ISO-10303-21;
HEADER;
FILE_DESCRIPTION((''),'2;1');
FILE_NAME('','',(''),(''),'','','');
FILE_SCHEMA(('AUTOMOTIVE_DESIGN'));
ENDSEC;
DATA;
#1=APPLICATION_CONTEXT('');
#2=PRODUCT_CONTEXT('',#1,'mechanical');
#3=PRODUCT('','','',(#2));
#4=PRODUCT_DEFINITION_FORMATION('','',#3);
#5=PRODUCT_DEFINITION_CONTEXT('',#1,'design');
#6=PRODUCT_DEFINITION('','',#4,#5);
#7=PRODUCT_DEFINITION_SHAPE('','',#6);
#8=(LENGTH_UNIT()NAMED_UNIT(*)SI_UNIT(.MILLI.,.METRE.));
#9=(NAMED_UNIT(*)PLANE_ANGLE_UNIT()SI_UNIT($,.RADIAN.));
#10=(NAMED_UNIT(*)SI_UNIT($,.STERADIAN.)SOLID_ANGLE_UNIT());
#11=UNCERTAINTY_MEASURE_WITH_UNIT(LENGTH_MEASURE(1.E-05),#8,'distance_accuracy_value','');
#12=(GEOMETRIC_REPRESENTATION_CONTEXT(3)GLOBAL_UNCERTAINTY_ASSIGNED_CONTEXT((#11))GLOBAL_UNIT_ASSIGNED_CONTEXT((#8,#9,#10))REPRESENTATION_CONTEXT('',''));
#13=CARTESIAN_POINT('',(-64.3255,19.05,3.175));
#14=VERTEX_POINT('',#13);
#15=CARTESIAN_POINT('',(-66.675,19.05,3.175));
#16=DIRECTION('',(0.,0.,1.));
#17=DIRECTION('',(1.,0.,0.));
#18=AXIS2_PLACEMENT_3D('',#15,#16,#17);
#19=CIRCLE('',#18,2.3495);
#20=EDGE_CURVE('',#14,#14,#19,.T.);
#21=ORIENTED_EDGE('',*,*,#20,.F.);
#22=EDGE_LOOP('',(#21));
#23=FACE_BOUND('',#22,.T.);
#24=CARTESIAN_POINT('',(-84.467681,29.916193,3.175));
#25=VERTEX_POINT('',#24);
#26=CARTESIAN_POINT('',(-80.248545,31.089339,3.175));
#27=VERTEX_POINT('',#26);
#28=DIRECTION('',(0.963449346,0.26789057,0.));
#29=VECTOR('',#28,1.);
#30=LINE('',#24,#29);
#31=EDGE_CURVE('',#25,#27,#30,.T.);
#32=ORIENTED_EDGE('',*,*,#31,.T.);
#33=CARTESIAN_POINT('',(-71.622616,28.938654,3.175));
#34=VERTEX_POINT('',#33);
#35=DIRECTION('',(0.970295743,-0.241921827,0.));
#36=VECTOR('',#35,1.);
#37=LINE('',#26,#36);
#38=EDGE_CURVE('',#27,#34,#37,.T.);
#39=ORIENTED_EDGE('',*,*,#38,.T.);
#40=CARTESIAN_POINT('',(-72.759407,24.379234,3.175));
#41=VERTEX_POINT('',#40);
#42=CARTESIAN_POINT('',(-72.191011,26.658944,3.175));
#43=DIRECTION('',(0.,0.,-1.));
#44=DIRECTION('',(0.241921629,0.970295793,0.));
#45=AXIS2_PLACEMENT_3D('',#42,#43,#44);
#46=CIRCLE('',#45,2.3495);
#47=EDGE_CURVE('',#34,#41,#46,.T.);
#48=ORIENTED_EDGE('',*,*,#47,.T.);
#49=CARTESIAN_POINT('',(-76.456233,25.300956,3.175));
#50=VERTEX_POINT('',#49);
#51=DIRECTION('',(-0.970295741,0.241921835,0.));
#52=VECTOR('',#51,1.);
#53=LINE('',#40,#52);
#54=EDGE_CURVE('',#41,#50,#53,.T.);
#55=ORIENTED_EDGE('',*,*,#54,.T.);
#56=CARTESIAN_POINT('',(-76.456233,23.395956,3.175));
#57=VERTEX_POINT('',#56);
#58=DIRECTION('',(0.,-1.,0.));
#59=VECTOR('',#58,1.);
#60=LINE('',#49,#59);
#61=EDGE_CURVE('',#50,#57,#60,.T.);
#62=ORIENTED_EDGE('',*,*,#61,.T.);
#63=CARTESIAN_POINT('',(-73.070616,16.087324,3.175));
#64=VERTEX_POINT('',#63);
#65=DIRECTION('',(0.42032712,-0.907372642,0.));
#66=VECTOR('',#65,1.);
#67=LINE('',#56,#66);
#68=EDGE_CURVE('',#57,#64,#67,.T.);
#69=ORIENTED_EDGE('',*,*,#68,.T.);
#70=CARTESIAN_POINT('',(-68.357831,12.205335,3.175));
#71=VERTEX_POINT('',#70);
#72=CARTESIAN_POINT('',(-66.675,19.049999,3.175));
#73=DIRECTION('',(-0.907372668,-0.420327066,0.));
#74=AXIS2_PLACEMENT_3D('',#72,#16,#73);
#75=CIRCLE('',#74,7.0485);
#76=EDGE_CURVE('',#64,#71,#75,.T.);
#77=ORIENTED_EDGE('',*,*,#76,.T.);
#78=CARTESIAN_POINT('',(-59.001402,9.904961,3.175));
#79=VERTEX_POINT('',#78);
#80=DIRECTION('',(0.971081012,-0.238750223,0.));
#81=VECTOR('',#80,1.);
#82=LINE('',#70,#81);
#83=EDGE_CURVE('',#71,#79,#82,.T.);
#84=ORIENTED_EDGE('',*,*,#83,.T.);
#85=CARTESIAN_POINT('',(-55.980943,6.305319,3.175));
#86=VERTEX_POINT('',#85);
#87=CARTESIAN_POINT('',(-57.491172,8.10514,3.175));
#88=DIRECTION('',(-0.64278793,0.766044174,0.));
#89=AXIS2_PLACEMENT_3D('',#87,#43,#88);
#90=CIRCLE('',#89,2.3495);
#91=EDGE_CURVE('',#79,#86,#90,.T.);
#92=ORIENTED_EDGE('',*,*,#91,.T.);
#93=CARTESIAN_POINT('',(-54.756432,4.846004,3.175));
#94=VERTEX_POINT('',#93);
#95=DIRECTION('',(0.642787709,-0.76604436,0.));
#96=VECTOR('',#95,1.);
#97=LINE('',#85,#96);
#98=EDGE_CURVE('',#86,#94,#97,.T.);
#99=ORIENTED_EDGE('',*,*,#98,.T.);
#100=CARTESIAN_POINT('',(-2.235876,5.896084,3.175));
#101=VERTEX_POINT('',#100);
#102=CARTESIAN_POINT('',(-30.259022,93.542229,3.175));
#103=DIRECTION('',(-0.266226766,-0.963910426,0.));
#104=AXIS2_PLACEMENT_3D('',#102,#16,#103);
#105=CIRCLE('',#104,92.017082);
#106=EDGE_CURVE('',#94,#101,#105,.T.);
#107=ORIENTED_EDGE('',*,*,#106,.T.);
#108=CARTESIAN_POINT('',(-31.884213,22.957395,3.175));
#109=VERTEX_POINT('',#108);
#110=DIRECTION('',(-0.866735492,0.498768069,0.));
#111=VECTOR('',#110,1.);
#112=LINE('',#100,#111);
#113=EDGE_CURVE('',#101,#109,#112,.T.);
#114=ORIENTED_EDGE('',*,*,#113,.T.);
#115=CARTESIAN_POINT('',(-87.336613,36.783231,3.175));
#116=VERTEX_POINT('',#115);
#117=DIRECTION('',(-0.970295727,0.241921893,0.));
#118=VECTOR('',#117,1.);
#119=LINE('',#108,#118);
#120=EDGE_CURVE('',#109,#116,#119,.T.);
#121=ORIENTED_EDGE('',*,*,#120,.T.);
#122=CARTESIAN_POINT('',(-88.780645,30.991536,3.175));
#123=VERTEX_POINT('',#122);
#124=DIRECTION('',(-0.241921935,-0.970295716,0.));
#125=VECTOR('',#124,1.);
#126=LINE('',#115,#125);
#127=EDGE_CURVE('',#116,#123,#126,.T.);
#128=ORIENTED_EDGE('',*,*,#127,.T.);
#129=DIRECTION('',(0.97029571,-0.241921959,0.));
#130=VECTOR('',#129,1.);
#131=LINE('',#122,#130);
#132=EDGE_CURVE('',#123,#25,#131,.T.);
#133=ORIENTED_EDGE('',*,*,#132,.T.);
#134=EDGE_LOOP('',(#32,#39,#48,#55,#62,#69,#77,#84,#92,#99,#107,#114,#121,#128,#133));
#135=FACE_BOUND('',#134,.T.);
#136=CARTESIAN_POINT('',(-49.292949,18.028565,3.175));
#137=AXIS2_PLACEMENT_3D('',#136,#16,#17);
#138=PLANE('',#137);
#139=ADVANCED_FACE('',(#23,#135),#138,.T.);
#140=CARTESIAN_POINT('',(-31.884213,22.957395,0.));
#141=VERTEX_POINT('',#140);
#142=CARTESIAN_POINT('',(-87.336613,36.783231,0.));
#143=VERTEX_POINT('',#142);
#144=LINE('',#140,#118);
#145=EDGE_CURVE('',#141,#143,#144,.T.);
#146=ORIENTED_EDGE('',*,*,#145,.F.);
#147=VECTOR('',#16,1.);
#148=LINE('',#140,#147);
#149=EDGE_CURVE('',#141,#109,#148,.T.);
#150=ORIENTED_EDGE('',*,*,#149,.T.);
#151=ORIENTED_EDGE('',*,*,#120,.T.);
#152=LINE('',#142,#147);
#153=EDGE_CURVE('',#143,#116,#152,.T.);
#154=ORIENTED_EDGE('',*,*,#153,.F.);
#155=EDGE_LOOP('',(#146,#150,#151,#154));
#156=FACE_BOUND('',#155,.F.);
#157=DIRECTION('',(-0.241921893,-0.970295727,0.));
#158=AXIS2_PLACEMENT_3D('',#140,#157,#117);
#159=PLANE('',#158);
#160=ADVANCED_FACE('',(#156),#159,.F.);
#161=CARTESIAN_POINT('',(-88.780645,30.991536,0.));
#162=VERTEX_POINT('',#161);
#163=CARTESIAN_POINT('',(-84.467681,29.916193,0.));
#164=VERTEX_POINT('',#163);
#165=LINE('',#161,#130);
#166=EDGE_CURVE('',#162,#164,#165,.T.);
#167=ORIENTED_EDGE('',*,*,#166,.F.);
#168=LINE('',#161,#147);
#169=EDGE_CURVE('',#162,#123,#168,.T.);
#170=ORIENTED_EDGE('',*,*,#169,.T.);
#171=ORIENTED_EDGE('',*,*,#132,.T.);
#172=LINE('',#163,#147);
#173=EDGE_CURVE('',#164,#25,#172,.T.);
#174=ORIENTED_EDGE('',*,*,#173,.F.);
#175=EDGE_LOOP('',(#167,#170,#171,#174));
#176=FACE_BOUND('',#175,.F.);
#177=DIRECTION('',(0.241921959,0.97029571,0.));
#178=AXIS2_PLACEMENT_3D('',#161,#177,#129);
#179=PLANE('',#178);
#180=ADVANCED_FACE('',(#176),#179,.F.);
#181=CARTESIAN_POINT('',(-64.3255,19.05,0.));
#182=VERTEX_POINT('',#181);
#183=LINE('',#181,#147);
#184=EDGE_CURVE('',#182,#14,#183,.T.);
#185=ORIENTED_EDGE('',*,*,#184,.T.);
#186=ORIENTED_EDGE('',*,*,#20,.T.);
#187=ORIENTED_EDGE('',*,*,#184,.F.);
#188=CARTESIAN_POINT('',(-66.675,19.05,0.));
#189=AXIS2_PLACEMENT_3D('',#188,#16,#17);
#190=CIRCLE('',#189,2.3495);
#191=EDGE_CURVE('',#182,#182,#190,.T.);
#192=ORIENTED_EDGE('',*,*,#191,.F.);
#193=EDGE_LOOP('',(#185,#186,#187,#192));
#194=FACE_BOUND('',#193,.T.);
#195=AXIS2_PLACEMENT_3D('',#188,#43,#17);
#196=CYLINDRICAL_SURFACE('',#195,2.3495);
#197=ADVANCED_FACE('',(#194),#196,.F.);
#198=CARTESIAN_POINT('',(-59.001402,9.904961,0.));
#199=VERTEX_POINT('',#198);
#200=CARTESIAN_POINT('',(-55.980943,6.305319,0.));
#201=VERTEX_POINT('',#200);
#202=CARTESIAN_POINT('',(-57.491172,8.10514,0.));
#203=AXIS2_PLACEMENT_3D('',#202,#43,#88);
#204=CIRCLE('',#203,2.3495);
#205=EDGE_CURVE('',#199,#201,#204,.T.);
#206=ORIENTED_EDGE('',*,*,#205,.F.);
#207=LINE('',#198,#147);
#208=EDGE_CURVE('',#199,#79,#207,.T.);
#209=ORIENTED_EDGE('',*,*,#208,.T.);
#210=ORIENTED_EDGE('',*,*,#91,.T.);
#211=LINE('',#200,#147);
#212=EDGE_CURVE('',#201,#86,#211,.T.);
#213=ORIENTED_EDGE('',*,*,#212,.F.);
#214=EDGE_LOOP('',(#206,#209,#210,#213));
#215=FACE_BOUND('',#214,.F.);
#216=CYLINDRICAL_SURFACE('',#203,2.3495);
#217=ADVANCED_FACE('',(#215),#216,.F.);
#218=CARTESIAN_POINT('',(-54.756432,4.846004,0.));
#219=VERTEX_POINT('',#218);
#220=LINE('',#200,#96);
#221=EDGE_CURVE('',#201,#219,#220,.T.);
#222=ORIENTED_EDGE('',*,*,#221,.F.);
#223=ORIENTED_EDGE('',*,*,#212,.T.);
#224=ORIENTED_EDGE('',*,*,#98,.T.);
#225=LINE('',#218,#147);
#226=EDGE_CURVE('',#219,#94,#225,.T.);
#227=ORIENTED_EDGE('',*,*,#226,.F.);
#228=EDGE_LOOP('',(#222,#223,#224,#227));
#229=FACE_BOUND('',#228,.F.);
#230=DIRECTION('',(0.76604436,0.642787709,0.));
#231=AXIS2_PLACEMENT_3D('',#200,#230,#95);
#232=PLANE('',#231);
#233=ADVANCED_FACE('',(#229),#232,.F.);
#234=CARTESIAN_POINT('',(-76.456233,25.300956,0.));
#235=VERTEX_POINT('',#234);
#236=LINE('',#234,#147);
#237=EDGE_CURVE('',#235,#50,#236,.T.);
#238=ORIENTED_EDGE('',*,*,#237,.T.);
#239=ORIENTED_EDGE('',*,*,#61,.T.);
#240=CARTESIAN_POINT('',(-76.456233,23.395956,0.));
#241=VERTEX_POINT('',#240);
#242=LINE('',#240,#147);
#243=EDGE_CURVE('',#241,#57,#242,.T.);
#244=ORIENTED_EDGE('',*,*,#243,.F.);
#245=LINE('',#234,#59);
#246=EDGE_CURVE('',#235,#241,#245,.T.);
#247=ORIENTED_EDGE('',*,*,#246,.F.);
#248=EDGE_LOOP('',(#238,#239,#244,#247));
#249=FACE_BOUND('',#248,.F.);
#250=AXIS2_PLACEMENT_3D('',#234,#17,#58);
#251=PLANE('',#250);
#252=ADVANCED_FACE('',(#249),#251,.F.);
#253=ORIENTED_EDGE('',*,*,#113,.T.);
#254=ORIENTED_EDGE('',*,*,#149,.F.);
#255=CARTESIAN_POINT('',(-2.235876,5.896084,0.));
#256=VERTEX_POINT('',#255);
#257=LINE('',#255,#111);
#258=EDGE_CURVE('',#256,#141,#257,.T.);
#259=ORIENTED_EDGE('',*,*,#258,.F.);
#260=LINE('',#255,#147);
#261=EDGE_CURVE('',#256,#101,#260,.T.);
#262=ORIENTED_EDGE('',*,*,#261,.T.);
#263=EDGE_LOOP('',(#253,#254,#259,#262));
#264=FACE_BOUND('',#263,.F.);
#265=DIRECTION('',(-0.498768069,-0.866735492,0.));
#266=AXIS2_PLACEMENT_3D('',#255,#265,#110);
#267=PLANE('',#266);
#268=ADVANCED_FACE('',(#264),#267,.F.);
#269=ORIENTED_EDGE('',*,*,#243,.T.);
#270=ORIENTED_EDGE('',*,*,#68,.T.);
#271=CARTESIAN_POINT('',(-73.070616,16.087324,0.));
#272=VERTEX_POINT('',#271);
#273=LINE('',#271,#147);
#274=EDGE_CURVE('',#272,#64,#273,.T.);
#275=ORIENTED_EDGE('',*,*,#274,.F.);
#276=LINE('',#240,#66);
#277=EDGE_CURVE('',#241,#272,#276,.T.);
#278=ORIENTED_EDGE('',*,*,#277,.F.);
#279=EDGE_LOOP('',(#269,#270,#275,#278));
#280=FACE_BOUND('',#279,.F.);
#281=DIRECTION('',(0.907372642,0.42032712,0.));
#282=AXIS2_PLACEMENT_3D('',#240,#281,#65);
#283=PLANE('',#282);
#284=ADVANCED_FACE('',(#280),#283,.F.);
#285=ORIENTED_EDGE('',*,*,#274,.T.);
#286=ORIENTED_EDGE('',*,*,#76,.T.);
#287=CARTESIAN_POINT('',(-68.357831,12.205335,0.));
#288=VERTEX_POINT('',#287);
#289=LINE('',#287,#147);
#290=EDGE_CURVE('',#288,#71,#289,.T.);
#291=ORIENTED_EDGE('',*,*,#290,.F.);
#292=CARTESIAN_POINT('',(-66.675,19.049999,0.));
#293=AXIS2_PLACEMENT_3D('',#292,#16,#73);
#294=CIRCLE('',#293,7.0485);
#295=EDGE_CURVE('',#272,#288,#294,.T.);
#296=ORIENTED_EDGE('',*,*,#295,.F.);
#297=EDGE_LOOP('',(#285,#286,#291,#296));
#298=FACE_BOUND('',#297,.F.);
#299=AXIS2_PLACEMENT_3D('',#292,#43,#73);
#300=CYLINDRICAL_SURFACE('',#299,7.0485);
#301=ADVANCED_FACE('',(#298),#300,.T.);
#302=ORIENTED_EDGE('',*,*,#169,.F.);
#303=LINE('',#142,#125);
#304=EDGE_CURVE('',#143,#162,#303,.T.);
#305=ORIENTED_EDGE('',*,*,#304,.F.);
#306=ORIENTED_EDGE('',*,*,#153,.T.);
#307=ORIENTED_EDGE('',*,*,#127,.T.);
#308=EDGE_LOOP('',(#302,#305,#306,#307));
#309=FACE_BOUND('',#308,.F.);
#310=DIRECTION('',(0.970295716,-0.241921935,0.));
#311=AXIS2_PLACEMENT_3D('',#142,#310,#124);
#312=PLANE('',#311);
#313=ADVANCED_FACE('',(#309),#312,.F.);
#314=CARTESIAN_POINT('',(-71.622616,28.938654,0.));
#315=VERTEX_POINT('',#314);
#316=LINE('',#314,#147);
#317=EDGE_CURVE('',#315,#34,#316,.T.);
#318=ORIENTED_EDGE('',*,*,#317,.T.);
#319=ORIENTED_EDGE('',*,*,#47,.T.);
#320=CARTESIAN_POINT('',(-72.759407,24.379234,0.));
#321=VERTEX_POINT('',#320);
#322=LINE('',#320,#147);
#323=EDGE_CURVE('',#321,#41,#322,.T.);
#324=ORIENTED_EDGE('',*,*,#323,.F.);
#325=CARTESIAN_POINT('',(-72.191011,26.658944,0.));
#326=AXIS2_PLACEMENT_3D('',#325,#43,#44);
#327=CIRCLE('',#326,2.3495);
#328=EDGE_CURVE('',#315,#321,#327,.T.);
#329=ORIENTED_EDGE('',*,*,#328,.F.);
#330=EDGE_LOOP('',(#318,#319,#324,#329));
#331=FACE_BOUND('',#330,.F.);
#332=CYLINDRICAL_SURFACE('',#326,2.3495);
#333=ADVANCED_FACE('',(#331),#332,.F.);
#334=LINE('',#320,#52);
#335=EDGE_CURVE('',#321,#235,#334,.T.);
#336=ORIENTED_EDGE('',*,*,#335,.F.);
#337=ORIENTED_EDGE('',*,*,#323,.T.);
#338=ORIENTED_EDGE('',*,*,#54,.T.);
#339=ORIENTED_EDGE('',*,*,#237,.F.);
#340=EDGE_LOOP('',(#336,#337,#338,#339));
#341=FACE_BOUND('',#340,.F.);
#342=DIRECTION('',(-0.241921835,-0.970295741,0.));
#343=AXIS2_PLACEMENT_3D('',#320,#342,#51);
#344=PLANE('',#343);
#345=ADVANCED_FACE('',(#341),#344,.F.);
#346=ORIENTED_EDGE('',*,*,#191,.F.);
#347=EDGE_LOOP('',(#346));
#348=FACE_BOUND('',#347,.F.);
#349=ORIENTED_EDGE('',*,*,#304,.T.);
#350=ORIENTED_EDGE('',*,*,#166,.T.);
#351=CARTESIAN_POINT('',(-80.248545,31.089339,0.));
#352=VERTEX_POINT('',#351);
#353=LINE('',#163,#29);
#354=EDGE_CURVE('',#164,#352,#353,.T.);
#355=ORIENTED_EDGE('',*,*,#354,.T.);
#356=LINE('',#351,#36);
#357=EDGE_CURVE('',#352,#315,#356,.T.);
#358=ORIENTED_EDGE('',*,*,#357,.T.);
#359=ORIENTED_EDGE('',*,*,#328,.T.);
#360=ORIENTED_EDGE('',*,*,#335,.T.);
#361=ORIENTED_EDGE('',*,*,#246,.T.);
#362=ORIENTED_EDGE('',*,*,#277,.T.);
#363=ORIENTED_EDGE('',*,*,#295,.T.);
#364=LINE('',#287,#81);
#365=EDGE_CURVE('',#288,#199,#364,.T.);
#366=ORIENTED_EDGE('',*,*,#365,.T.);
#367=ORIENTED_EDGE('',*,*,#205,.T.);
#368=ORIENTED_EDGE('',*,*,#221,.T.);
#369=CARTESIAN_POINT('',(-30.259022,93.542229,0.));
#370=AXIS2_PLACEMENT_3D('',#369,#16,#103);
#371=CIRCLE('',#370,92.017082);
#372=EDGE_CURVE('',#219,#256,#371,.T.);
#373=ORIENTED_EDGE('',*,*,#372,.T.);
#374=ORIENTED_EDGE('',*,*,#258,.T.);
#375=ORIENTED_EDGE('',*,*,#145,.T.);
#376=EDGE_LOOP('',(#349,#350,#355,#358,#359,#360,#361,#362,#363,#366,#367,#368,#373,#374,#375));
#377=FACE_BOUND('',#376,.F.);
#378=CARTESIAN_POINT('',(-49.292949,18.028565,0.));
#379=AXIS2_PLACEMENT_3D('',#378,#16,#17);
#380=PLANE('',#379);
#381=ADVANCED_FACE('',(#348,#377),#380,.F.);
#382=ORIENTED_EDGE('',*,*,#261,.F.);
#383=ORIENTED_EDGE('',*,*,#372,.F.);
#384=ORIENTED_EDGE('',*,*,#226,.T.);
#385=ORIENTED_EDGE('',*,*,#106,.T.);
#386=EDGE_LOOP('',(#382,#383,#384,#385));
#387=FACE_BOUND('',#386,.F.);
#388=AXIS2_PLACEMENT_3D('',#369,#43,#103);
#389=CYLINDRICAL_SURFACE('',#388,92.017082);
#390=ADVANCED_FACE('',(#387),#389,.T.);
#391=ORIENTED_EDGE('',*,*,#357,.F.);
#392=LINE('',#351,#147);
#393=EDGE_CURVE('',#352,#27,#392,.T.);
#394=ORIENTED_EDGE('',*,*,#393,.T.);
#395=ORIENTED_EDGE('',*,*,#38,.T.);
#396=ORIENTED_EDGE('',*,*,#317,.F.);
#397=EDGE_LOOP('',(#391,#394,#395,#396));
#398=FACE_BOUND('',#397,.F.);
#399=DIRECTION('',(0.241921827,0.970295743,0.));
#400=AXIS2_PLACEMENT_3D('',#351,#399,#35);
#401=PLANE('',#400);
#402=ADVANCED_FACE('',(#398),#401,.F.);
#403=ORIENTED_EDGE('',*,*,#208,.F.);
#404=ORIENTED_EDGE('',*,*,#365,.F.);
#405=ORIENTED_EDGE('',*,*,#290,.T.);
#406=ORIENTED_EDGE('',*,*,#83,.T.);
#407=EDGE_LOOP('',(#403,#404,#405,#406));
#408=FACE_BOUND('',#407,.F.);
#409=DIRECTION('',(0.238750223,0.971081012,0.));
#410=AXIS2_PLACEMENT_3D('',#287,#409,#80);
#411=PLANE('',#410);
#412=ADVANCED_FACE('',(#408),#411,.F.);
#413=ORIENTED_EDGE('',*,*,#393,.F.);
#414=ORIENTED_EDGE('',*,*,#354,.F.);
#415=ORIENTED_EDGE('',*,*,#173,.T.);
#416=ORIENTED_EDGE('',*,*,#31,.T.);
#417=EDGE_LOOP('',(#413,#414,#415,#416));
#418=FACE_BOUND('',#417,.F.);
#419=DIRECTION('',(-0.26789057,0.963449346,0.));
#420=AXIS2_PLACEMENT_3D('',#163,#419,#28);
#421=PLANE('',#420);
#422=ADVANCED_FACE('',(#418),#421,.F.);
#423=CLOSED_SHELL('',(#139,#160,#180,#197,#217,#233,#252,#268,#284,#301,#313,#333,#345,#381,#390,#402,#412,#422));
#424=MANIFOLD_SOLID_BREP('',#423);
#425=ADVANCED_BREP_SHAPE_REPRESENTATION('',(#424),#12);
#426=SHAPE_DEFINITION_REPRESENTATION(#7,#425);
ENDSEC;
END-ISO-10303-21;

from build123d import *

# Parameters (mm, degrees)
F0_R     = 2.3495
F1_DEPTH = 3.175


with BuildPart() as f1:
    # F0 (on Top) → F1 (new body)
    with BuildSketch(Plane.XY):
        with BuildLine():
            ThreePointArc((-59.001402, 9.904961), (-55.691351, 9.61537), (-55.980943, 6.305319))
            Line((-55.980943, 6.305319), (-54.756432, 4.846004))
            ThreePointArc((-54.756432, 4.846004), (-28.419628, 1.543533), (-2.235876, 5.896084))
            Line((-2.235876, 5.896084), (-31.884213, 22.957395))
            Line((-31.884213, 22.957395), (-87.336613, 36.783231))
            Line((-87.336613, 36.783231), (-88.780645, 30.991536))
            Line((-88.780645, 30.991536), (-84.467681, 29.916193))
            Line((-84.467681, 29.916193), (-80.248545, 31.089339))
            Line((-80.248545, 31.089339), (-71.622616, 28.938654))
            ThreePointArc((-71.622616, 28.938654), (-69.911301, 26.090548), (-72.759407, 24.379234))
            Line((-72.759407, 24.379234), (-76.456233, 25.300956))
            Line((-76.456233, 25.300956), (-76.456233, 23.395956))
            Line((-76.456233, 23.395956), (-73.070616, 16.087324))
            ThreePointArc((-73.070616, 16.087324), (-71.156382, 13.609543), (-68.357831, 12.205335))
            Line((-68.357831, 12.205335), (-59.001402, 9.904961))
        make_face()
        with Locations((-66.675, 19.05)):
            Circle(F0_R, mode=Mode.SUBTRACT)
    extrude(amount=F1_DEPTH)


solid = f1.part
